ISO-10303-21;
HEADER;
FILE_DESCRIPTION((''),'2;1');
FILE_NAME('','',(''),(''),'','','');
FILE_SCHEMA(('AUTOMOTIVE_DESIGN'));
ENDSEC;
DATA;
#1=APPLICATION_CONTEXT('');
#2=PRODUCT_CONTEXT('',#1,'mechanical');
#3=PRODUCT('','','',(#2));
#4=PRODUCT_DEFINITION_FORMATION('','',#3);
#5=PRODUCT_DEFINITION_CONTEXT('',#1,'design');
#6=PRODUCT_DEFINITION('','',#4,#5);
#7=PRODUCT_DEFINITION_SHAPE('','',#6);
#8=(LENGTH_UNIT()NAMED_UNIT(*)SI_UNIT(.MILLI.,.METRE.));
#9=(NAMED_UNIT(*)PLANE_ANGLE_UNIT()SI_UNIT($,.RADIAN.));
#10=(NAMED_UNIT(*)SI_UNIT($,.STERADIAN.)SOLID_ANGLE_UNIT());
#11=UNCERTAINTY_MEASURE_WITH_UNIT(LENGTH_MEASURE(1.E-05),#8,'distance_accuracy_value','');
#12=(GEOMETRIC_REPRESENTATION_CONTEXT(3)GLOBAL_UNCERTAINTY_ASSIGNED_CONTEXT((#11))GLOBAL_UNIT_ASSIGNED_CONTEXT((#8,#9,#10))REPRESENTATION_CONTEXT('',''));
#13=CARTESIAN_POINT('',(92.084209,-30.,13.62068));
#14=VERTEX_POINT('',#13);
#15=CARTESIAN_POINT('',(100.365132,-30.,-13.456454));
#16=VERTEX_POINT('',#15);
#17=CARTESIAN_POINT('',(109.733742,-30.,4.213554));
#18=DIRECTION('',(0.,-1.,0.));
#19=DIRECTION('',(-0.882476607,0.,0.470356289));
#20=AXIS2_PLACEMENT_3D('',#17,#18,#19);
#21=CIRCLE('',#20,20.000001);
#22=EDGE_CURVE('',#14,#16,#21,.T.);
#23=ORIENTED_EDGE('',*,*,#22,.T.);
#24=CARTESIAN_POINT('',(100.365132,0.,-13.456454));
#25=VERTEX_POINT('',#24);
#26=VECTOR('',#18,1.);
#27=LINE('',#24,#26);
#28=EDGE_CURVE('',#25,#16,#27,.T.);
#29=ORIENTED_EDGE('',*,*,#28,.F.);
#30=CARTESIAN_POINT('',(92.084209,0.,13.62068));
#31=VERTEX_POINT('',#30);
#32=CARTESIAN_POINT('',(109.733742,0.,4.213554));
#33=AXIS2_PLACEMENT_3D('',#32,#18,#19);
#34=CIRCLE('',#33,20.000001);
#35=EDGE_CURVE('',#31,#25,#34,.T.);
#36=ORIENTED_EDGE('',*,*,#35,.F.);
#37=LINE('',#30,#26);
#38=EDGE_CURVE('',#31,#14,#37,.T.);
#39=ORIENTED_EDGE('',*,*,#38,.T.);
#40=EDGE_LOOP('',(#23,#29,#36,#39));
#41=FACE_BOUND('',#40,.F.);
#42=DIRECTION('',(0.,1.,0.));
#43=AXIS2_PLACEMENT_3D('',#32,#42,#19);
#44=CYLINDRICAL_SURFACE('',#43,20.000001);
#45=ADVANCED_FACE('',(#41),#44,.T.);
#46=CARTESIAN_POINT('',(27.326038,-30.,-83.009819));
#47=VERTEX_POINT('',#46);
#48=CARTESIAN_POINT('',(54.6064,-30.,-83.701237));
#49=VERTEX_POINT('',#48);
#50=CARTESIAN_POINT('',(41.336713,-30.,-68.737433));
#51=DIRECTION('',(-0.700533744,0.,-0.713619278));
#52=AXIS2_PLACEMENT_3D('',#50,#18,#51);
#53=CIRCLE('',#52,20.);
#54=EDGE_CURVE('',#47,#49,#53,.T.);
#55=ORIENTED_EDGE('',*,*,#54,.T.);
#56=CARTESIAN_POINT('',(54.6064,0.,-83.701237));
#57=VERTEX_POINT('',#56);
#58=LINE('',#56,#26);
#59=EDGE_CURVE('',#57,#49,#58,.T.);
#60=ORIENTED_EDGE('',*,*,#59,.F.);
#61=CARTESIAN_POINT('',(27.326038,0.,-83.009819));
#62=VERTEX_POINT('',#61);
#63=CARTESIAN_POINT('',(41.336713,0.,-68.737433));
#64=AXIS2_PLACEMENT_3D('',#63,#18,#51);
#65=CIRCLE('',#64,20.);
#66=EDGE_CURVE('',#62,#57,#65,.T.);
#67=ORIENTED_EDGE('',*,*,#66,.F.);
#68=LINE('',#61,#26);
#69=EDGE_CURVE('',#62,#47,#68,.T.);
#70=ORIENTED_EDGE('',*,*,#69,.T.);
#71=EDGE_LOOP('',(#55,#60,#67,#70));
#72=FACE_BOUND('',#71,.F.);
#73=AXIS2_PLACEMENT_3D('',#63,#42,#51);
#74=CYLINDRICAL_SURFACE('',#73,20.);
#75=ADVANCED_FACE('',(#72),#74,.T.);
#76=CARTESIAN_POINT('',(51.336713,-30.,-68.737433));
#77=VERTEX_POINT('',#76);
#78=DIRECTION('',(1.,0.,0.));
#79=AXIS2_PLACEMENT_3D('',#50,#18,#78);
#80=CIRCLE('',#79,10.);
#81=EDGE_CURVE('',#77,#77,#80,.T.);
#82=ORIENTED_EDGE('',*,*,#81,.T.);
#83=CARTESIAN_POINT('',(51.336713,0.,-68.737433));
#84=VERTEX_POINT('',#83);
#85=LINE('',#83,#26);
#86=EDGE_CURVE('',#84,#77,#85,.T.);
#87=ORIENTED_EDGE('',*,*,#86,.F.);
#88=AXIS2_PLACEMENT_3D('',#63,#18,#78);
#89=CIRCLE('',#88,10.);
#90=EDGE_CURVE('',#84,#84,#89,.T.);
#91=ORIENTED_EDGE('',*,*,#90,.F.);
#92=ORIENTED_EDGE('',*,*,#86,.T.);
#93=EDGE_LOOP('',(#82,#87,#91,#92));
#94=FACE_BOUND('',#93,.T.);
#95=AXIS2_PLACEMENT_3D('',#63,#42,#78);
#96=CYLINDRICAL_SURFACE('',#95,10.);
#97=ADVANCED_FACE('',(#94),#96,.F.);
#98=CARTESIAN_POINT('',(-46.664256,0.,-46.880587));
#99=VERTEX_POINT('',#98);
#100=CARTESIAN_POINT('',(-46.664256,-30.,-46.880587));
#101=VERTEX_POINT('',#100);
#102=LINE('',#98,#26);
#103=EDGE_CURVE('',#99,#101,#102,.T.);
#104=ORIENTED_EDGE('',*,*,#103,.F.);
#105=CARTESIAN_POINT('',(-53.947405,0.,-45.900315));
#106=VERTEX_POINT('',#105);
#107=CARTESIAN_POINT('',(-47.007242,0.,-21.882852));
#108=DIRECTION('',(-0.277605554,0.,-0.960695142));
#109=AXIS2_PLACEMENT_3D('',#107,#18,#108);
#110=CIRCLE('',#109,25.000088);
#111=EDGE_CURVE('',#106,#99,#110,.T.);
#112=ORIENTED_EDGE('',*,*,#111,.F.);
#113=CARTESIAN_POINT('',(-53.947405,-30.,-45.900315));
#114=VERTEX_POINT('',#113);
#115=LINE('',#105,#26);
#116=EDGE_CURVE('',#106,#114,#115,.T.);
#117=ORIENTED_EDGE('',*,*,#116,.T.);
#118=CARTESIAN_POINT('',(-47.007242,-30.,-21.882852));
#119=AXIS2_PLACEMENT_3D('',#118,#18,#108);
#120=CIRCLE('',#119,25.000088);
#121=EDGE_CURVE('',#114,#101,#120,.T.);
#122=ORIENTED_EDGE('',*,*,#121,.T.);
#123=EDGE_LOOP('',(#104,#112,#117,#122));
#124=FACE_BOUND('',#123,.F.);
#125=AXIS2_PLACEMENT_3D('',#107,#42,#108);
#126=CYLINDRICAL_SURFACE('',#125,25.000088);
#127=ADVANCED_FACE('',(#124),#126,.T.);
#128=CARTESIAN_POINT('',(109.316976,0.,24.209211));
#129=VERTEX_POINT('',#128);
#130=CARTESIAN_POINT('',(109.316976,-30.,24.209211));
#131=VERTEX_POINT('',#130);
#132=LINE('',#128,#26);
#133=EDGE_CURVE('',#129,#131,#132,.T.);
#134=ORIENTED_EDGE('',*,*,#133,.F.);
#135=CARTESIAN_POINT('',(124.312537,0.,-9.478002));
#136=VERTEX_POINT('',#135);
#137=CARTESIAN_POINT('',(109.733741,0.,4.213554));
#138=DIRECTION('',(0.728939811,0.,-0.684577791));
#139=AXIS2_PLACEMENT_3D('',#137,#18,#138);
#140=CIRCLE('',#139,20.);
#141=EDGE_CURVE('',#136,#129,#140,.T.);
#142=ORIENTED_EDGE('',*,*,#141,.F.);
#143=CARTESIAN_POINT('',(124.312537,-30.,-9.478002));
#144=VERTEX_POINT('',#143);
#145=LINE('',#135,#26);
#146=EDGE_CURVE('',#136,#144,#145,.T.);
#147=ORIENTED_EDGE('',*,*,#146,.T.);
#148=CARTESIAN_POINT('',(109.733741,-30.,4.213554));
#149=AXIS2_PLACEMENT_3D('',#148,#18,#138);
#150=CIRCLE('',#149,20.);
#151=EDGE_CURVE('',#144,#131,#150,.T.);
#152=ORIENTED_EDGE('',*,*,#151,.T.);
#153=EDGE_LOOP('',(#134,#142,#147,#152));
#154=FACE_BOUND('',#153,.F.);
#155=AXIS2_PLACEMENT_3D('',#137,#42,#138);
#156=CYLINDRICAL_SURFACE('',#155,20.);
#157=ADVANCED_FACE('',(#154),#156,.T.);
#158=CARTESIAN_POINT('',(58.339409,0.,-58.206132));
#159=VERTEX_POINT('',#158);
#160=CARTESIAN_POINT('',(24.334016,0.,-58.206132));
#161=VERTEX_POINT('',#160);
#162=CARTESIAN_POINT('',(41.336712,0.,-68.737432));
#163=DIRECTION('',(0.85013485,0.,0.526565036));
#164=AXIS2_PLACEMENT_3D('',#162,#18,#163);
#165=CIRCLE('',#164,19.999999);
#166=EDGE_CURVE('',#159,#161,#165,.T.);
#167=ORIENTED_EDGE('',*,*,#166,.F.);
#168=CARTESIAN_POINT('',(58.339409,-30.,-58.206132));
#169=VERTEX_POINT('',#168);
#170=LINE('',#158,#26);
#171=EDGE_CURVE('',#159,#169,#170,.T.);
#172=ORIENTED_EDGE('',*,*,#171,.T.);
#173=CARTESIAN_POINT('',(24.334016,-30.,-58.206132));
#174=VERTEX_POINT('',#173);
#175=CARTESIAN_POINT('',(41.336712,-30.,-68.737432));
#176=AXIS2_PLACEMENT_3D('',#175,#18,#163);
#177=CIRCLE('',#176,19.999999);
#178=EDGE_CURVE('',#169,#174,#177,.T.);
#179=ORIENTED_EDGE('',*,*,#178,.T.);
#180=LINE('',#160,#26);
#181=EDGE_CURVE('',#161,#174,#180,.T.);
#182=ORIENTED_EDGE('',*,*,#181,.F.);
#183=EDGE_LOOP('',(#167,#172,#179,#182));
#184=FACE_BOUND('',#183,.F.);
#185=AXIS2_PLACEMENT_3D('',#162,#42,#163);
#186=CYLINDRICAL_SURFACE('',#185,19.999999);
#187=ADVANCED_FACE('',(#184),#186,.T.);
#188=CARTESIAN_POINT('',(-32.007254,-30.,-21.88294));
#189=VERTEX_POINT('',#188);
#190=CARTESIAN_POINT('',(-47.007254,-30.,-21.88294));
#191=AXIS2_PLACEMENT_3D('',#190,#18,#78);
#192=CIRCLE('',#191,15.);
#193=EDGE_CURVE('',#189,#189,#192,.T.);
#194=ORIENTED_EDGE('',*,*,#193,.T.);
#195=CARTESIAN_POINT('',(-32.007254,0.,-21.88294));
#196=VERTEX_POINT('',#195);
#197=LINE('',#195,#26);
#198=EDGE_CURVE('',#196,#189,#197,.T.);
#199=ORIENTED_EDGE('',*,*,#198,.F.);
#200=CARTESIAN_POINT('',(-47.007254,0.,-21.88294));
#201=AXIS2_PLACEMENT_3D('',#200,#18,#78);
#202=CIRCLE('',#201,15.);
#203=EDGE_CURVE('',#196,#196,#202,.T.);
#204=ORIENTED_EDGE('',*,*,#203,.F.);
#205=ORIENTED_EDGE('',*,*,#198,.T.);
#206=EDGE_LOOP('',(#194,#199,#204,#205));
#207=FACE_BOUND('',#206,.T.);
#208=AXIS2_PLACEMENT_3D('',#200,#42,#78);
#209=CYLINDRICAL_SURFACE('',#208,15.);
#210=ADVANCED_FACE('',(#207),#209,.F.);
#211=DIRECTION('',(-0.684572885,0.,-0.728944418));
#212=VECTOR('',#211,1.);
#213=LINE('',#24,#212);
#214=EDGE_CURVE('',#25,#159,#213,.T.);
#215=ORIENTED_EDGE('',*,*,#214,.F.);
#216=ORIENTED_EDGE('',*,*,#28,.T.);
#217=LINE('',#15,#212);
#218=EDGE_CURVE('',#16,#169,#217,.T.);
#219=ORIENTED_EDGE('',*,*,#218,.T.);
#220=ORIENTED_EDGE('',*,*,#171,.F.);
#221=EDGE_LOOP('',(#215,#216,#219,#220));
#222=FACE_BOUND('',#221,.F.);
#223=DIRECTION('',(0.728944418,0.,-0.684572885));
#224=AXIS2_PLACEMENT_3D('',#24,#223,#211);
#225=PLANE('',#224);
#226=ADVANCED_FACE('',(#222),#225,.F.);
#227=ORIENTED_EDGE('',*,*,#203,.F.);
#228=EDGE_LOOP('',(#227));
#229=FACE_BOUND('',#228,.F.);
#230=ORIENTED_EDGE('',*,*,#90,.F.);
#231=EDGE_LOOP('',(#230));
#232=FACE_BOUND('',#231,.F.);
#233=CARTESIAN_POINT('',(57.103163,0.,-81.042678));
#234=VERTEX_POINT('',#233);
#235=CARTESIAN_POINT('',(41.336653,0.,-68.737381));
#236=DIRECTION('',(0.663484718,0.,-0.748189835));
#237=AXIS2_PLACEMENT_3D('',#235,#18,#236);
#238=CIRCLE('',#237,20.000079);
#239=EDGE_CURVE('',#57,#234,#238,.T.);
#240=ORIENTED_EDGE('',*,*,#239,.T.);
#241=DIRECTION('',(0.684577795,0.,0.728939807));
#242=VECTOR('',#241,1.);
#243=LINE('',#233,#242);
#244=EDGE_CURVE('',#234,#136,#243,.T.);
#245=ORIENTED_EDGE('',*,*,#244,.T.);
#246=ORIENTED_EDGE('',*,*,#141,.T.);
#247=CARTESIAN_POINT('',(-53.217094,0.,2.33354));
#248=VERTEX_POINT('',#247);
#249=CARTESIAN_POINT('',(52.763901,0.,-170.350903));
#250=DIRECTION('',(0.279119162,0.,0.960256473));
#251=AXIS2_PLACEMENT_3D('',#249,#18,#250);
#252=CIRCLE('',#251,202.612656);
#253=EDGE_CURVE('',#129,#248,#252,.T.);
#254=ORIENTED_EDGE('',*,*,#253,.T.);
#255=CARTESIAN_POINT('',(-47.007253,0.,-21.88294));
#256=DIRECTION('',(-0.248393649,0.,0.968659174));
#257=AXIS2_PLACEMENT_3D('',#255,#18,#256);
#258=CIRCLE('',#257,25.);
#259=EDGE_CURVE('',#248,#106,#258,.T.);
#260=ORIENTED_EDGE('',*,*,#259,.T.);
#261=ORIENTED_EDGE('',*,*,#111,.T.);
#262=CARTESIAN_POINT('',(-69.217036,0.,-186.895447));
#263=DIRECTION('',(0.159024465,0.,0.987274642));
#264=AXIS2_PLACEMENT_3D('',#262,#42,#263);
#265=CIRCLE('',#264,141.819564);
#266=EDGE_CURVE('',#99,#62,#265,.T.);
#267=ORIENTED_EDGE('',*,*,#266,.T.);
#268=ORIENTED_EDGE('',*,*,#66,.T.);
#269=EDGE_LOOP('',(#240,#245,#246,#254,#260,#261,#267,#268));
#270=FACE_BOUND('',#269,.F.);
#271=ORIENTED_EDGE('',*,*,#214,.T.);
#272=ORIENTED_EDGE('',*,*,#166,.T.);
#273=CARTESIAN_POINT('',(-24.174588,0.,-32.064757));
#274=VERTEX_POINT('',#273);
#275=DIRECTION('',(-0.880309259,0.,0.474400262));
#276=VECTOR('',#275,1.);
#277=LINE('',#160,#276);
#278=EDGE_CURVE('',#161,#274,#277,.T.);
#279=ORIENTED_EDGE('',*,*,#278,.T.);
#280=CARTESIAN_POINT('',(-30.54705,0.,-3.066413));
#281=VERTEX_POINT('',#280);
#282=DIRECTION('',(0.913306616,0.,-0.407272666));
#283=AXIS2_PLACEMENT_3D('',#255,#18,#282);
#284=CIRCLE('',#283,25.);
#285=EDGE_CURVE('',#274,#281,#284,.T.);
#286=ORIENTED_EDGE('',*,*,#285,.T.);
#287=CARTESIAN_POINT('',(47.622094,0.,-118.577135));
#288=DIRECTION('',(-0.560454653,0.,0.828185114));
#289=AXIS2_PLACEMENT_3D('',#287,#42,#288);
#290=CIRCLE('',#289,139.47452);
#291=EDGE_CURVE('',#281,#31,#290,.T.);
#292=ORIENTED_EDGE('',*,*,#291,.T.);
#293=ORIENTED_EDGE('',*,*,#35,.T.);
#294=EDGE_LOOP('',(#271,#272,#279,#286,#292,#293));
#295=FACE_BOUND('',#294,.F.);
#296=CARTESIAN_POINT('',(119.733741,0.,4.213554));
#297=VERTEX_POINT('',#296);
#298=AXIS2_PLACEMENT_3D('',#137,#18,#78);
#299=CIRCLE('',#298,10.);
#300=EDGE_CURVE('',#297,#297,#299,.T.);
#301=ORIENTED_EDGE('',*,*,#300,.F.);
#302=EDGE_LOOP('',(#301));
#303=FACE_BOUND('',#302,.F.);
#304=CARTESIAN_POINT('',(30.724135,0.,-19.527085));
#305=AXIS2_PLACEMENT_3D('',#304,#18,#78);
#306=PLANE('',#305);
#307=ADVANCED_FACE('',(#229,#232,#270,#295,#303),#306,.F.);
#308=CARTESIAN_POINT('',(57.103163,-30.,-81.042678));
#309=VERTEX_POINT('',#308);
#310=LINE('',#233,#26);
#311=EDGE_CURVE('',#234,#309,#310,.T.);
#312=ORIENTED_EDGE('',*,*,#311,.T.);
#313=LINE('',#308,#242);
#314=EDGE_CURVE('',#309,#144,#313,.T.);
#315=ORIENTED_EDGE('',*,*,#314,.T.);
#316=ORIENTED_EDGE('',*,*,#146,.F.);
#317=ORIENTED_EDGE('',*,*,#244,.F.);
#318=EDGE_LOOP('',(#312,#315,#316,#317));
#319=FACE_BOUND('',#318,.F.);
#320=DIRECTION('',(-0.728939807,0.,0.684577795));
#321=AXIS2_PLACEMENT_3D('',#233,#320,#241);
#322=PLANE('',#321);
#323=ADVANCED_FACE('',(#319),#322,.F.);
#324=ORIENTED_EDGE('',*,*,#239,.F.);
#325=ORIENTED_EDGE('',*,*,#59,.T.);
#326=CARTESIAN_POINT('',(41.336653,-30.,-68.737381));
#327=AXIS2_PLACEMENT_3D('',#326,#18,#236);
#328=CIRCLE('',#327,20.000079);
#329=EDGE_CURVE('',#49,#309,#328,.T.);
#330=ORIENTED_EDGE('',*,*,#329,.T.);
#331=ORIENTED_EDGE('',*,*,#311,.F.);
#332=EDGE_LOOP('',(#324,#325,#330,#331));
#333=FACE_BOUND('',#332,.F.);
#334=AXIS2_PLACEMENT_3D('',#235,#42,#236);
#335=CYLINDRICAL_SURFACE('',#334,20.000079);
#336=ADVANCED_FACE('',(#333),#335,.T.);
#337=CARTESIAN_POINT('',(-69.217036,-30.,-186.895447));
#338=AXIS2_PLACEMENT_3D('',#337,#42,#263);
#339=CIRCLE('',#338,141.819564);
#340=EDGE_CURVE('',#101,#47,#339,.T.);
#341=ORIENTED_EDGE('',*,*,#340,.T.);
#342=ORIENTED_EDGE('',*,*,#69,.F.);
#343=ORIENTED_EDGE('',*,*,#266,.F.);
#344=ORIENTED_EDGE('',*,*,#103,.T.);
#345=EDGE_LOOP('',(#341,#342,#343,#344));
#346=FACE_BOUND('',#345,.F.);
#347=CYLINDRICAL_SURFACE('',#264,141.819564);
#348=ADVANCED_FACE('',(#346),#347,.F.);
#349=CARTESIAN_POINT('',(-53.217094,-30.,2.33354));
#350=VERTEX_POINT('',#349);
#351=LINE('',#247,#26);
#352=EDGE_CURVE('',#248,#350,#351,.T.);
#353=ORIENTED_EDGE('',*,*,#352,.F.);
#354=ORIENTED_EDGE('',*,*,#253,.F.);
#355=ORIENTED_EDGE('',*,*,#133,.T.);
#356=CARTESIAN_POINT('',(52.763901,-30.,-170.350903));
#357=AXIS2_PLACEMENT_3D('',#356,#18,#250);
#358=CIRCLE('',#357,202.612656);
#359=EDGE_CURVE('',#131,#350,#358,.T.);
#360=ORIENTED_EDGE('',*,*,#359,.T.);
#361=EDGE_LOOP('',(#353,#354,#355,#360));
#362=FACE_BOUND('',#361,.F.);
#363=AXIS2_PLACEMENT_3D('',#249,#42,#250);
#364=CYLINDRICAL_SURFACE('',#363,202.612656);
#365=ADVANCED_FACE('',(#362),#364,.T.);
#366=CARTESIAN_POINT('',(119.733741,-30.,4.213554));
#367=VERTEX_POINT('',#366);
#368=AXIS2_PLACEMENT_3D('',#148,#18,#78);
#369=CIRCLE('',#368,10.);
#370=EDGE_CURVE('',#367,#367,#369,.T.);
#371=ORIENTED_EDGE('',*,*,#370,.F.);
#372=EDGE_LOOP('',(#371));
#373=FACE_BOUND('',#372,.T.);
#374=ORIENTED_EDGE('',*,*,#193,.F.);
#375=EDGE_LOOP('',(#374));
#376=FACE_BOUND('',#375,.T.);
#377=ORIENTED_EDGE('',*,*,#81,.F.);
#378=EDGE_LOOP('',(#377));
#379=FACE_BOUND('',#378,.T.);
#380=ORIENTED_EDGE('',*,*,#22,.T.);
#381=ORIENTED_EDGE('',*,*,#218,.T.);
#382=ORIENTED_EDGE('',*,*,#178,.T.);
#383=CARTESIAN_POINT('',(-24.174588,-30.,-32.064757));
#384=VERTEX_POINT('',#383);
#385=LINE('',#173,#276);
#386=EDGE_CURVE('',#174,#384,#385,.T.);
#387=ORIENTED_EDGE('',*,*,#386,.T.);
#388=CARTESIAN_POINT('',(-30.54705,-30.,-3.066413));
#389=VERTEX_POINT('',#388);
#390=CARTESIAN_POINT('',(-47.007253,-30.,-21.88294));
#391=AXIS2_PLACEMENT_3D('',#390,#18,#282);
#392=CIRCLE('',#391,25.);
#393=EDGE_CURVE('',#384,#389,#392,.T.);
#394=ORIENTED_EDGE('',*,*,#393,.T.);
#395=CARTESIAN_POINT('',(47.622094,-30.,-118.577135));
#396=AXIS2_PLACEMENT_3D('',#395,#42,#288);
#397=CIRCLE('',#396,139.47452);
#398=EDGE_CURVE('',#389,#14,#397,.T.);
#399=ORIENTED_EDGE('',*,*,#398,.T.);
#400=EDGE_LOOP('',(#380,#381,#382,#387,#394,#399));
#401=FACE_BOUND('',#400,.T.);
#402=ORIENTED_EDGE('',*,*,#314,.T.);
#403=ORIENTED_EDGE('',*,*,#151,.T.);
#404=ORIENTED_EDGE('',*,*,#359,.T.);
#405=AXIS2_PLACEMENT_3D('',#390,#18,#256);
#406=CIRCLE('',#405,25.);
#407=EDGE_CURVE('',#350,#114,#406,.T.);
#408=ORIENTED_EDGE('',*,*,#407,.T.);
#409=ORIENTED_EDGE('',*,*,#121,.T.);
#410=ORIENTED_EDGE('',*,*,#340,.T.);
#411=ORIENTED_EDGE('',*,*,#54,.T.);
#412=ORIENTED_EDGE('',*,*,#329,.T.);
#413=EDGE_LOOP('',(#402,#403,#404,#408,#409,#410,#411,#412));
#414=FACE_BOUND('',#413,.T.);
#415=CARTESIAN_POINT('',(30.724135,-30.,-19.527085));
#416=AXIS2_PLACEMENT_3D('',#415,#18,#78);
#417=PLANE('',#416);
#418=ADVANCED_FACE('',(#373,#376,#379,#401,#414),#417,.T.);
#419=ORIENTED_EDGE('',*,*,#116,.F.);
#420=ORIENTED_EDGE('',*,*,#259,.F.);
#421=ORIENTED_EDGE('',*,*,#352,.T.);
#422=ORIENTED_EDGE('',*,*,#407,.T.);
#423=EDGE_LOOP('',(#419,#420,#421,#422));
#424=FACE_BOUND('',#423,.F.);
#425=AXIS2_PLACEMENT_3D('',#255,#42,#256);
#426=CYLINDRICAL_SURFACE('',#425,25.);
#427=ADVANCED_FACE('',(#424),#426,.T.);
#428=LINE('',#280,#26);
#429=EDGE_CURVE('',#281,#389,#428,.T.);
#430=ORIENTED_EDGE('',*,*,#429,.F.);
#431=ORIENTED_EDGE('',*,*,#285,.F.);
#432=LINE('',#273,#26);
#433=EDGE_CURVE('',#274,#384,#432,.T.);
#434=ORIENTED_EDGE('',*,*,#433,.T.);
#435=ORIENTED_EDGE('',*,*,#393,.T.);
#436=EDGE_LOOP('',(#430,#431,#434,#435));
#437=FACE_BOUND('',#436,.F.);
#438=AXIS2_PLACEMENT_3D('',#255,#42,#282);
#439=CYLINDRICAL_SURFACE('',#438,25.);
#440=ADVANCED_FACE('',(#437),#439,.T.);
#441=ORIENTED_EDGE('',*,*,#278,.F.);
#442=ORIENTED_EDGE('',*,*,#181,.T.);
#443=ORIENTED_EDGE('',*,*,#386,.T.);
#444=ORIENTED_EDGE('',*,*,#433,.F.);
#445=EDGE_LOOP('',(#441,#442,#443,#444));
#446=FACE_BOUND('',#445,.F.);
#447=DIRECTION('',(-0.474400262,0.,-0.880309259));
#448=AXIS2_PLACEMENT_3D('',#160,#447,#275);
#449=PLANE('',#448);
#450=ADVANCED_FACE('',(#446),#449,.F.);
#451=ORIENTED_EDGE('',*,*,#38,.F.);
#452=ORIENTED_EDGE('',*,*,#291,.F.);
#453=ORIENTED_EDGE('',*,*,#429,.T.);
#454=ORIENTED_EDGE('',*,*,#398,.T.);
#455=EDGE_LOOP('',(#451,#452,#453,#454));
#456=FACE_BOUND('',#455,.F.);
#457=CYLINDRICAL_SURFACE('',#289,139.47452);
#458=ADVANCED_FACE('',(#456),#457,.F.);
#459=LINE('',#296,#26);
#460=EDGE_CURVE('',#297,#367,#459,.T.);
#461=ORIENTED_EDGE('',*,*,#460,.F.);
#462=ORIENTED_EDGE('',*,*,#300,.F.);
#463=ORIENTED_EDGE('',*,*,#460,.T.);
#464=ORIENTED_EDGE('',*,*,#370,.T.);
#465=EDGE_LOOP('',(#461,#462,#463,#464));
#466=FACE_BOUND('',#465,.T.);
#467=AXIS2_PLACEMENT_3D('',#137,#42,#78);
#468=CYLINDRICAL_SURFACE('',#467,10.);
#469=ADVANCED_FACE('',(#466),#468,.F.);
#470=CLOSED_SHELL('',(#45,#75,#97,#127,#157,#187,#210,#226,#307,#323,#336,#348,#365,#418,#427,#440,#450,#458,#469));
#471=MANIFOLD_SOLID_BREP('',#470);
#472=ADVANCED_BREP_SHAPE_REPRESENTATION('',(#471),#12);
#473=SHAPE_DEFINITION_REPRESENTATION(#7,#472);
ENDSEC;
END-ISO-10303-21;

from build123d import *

# Parameters (mm, degrees)
F0_R     = 10
F0_R_2   = 15
F1_DEPTH = 30


with BuildPart() as f1:
    # F0 (on Front) → F1 (new body)
    with BuildSketch(Plane.XZ):
        with BuildLine():
            ThreePointArc((109.316976, 24.209211), (25.73769, 30.451169), (-53.217094, 2.33354))
            ThreePointArc((-53.217094, 2.33354), (-72.004388, -21.504457), (-53.947405, -45.900315))
            ThreePointArc((-53.947405, -45.900315), (-50.29948, -46.343268), (-46.664256, -46.880587))
            ThreePointArc((-46.664256, -46.880587), (-6.989342, -59.457215), (27.326038, -83.009819))
            ThreePointArc((27.326038, -83.009819), (40.829978, -88.731013), (54.6064, -83.701237))
            Line((54.6064, -83.701237), (57.103163, -81.042678))
            Line((57.103163, -81.042678), (124.312537, -9.478002))
            ThreePointArc((124.312537, -9.478002), (128.005245, 12.34695), (109.316976, 24.209211))
        make_face()
        with Locations((41.336713, -68.737433)):
            Circle(F0_R, mode=Mode.SUBTRACT)
        with Locations((-47.007254, -21.88294)):
            Circle(F0_R_2, mode=Mode.SUBTRACT)
        with BuildLine():
            Line((100.365132, -13.456454), (58.339409, -58.206132))
            ThreePointArc((58.339409, -58.206132), (41.336713, -48.737433), (24.334016, -58.206132))
            Line((24.334016, -58.206132), (-24.174588, -32.064757))
            ThreePointArc((-24.174588, -32.064757), (-22.589875, -16.517157), (-30.54705, -3.066413))
            ThreePointArc((-30.54705, -3.066413), (28.816358, 19.623756), (92.084209, 13.62068))
            ThreePointArc((92.084209, 13.62068), (90.608162, -1.635568), (100.365132, -13.456454))
        make_face(mode=Mode.SUBTRACT)
        with Locations((109.733741, 4.213554)):
            Circle(F0_R, mode=Mode.SUBTRACT)
        with BuildLine():
            ThreePointArc((-46.664256, -46.880587), (-50.29948, -46.343268), (-53.947405, -45.900315))
            ThreePointArc((-53.947405, -45.900315), (-50.342046, -46.659524), (-46.664256, -46.880587))
        make_face()
        with BuildLine():
            ThreePointArc((54.6064, -83.701237), (55.915509, -82.428989), (57.103163, -81.042678))
            Line((57.103163, -81.042678), (54.6064, -83.701237))
        make_face()
    extrude(amount=F1_DEPTH)


solid = f1.part
